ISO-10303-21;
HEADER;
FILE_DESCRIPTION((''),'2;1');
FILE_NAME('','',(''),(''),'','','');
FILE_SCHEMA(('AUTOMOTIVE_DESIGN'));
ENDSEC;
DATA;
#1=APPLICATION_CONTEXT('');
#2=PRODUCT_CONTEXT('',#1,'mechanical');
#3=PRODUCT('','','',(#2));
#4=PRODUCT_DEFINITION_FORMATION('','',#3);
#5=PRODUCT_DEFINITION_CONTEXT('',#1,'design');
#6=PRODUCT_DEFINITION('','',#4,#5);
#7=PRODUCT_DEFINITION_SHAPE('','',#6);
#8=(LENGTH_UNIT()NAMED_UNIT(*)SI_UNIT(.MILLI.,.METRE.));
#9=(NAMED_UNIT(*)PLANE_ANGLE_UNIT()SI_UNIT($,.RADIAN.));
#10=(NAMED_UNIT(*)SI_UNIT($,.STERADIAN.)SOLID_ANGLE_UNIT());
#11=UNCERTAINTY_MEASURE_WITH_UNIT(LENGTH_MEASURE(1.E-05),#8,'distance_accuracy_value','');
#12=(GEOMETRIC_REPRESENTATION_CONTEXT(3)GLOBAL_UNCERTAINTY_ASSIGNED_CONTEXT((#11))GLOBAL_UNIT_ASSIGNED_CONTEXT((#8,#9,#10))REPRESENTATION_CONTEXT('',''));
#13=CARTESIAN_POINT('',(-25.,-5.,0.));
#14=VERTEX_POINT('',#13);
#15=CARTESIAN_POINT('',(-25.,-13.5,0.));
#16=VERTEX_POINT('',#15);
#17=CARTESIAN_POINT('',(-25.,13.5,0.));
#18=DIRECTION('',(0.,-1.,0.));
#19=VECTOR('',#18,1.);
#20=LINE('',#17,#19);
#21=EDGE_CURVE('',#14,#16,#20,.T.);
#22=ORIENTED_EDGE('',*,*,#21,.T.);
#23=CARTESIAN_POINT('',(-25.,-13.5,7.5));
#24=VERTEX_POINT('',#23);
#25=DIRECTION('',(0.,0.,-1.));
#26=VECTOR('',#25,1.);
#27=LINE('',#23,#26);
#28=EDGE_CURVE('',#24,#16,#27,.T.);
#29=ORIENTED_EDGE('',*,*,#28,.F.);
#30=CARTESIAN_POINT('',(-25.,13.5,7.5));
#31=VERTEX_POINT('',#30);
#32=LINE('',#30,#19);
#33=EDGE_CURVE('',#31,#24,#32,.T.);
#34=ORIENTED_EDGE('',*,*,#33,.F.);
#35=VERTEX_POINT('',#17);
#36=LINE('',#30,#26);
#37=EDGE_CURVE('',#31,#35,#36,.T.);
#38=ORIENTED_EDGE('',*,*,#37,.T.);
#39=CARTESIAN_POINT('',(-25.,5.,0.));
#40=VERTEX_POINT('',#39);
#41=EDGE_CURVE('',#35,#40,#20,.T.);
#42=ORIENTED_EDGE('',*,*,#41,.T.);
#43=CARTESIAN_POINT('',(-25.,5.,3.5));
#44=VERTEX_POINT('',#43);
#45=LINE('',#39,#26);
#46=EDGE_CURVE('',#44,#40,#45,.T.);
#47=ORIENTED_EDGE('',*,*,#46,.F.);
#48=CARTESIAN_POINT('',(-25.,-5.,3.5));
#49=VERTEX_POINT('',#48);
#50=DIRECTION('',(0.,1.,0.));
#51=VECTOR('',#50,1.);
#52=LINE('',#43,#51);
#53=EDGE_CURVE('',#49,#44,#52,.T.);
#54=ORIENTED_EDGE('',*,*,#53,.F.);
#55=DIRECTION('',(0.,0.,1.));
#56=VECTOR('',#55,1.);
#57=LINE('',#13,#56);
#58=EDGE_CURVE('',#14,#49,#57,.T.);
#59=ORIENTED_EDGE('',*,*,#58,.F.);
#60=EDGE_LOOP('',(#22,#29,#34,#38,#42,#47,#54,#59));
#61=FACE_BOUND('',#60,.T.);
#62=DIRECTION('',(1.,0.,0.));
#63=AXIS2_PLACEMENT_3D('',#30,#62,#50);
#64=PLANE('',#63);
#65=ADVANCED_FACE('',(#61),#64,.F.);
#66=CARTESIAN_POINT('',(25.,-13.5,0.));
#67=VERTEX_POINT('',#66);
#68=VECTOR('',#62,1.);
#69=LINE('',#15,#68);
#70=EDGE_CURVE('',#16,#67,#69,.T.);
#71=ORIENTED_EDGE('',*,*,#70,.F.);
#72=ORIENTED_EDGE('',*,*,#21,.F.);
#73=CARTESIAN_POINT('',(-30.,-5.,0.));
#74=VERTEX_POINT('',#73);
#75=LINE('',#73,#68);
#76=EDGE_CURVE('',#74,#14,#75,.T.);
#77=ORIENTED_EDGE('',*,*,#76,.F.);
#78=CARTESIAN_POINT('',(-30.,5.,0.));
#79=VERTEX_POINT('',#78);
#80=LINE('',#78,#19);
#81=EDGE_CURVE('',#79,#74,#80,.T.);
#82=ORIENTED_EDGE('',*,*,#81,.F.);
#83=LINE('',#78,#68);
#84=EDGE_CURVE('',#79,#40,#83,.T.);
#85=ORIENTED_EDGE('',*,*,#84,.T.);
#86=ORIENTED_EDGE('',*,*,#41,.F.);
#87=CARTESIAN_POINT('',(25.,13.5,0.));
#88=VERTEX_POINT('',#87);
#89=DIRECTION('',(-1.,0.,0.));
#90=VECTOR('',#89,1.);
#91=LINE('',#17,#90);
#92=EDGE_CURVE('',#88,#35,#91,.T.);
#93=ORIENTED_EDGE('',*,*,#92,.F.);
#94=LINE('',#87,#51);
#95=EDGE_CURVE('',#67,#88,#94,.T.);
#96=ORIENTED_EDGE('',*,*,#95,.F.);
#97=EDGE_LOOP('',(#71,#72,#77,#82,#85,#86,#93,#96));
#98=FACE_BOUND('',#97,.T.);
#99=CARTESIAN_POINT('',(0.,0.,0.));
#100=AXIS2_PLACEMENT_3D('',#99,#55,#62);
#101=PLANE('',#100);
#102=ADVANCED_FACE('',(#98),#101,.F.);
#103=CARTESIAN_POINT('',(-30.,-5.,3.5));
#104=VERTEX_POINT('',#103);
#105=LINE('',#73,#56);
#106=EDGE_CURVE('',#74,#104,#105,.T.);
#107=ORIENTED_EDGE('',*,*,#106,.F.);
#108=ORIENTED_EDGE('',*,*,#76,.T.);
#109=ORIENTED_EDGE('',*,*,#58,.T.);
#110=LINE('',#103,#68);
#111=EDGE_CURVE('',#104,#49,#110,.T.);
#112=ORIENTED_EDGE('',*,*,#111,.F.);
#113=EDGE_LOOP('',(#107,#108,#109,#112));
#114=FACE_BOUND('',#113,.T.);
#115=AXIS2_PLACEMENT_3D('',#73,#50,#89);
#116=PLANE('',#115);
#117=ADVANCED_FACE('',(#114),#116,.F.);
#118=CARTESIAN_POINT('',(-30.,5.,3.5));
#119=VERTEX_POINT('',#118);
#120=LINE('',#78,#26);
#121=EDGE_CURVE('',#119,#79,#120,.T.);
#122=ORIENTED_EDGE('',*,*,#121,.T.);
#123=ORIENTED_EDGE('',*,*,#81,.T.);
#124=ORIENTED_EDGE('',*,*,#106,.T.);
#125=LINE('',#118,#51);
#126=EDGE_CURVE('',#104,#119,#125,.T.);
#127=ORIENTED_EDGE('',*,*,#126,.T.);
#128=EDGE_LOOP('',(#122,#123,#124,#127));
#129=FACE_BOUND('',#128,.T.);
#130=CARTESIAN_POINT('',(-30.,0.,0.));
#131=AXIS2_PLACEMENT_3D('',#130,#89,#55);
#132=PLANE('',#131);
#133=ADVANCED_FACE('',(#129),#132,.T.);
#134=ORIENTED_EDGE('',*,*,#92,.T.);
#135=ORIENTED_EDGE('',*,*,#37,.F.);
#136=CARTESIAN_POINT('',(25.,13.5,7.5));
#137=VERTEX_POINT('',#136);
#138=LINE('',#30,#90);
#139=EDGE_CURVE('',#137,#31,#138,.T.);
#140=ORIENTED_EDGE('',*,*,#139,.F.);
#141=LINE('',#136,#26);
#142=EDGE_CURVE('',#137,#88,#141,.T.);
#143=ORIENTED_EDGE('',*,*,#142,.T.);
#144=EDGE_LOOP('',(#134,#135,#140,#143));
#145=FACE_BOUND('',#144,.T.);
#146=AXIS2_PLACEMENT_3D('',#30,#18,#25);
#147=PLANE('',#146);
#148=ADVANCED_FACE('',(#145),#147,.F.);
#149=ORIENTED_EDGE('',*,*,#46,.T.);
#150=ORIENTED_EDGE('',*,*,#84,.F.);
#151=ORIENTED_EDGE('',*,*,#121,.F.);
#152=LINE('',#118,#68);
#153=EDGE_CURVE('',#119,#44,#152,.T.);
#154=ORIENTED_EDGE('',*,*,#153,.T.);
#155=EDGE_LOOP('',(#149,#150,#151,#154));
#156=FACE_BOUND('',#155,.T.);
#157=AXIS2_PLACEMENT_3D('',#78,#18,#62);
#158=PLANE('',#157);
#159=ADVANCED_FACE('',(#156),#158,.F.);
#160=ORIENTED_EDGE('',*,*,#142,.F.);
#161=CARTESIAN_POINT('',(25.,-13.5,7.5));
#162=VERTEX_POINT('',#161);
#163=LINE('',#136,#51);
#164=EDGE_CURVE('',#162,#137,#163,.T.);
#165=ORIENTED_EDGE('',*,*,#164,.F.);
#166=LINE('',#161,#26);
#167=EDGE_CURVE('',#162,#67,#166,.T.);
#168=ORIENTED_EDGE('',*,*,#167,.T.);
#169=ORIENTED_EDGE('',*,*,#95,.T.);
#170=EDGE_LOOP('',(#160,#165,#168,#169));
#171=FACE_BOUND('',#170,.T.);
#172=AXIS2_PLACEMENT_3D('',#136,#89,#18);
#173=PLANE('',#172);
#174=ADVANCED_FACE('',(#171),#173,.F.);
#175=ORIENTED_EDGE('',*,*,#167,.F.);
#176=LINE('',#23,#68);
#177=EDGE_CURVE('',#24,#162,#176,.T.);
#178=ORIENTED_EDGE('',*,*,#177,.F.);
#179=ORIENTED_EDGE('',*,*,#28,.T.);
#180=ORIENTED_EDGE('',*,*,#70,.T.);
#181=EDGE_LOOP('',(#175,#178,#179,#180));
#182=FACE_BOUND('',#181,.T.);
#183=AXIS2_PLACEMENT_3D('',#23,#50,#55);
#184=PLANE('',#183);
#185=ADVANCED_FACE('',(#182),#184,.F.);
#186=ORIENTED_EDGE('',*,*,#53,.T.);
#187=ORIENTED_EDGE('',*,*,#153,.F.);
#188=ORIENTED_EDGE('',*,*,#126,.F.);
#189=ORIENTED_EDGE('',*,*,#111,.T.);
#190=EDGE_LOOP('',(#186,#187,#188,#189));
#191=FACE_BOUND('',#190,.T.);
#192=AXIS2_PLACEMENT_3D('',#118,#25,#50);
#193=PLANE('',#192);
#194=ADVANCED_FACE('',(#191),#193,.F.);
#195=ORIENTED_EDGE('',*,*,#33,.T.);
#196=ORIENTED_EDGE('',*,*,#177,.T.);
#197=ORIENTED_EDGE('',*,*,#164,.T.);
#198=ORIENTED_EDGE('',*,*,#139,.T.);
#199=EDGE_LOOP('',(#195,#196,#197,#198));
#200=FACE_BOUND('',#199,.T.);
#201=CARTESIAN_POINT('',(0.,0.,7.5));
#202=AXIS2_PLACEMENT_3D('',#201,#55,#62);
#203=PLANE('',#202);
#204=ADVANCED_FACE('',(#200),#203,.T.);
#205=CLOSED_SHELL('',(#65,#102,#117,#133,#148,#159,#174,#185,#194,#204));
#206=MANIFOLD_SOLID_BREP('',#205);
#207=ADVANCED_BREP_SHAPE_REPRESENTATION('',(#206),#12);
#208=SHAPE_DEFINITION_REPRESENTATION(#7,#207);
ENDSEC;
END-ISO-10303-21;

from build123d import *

# Parameters (mm, degrees)
SKETCH1_W           = 50
SKETCH1_H           = 27
BOSS_EXTRUDE1_DEPTH = 7.5
SKETCH2_W           = 3.5
SKETCH2_H           = 10
BOSS_EXTRUDE2_DEPTH = 5


with BuildPart() as part:
    # Sketch1 → Boss-Extrude1 (new body)
    with BuildSketch(Plane.XY):
        Rectangle(SKETCH1_W, SKETCH1_H)
    extrude(amount=BOSS_EXTRUDE1_DEPTH)

    # Sketch2 → Boss-Extrude2 (add)
    with BuildSketch(Plane.ZY.offset(25)):
        with Locations((1.75, 0)):
            Rectangle(SKETCH2_W, SKETCH2_H)
    extrude(amount=BOSS_EXTRUDE2_DEPTH)


solid = part.part
